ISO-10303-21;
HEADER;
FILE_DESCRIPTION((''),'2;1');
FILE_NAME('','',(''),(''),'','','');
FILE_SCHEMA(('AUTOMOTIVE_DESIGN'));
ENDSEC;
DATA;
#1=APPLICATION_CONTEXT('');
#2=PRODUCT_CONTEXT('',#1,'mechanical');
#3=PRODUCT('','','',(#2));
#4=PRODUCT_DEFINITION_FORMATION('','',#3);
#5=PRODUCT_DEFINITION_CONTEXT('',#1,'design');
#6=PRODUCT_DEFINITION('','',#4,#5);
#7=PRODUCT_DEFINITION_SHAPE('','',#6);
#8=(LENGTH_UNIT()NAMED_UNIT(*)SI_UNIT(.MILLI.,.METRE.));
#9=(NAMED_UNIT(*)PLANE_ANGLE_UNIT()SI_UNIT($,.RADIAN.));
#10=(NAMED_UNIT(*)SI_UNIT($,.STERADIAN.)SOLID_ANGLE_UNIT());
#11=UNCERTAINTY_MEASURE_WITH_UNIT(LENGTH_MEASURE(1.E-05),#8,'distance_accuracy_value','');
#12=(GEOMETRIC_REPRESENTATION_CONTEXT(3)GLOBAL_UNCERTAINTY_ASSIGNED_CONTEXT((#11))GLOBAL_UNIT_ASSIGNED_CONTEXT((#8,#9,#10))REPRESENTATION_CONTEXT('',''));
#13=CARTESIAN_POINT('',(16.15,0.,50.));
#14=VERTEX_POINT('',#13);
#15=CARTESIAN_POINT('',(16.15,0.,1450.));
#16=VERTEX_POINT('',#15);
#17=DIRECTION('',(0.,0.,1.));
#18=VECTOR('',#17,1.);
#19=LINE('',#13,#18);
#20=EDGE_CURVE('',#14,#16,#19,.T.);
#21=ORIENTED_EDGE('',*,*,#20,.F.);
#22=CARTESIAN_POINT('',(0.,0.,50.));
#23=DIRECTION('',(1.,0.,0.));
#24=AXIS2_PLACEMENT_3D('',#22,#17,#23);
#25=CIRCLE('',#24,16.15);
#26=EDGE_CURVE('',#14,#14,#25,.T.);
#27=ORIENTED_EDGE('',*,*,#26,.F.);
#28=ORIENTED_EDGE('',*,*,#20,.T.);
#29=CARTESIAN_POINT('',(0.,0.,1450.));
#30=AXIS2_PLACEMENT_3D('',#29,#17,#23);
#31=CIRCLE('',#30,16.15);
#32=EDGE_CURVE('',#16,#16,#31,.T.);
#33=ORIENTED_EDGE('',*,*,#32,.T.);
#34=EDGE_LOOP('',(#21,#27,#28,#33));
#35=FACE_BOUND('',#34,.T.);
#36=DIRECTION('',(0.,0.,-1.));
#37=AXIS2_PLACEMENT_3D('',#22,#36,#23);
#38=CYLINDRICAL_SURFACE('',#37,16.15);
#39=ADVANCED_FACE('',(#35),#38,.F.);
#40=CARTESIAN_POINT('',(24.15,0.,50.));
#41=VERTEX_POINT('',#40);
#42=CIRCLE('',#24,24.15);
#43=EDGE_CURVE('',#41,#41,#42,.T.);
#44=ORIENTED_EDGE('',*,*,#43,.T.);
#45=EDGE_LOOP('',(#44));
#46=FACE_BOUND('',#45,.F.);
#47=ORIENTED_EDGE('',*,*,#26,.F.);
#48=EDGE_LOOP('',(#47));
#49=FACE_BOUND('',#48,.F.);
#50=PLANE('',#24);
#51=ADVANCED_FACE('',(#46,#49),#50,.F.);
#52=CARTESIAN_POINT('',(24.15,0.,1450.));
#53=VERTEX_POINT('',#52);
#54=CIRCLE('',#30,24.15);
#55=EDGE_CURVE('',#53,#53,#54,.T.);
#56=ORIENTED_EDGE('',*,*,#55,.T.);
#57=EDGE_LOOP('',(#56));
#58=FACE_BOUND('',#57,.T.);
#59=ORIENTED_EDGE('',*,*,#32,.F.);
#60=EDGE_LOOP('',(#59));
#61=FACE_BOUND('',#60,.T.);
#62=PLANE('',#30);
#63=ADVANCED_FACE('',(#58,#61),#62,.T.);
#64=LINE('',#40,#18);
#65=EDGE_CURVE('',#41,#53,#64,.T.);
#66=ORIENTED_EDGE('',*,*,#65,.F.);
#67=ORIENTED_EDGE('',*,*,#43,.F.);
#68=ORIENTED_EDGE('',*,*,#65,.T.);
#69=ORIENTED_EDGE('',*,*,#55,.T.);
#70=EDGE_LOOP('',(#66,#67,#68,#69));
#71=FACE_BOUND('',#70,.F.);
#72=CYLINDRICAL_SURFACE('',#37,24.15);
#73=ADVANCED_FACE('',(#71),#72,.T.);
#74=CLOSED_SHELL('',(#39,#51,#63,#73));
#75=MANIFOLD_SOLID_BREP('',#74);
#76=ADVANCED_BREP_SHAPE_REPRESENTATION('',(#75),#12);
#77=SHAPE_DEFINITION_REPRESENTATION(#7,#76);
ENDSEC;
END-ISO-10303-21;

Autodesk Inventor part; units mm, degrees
ref_plane "Начальная плоскость" through (0, 0, 50) normal (0, 0, 1) x (1, 0, 0)
ref_plane "Конечная плоскость" through (0, 0, 1450) normal (0, 0, 1) x (1, 0, 0)
sketch "Эскиз" plane through (0, 0, 0) normal (0, 0, 1) x (1, 0, 0)
  circle A0 centre (0, 0) radius 16.15
  circle A1 centre (0, 0) radius 24.15
  dimension "d0" = 48.3
  dimension "d1" = 8
extrude "Тело" add sketch "Эскиз" along normal up to surface (1400 mm away) from surface at 50
sketch "Sketch3" plane through (0, 0, 0) normal (0, 0, 1) x (1, 0, 0)
  line L0 (0, 0) -> (10, 0)
ref_plane "Work Plane3" through (0, 0, 0) normal (0, -1, 0) x (1, 0, 0)
sketch "Sketch4" plane through (0, 0, 0) normal (0, -1, 0) x (1, 0, 0)
  line L0 (-2, 50) -> (12, 50)
  line L1 (-2, 1450) -> (12, 1450)
  dimension "d7" = 1400
ref_plane "РабПлоскость4" through (25, 0, 1450) normal (0, 0, 1) x (1, 0, 0)
split "Разделение1" plane through (25, 0, 1450) removes the side toward (0, 0, 1)
ref_plane "РабПлоскость5" through (-25, 0, 50) normal (0, 0, -1) x (-1, 0, 0)
split "Разделение2" plane through (-25, 0, 50) removes the side toward (0, 0, -1)
equation "\"d0\" = G_H"
equation "\"d1\" = G_T"
equation "\"d2\" = G_L"
equation "\"G_H\" = 48.3"
equation "\"G_T\" = 8"
equation "\"G_L\" = d7"
properties part number "DIN2448 - 48,3 x 8 - 1400" material "Сталь, мягкая"
